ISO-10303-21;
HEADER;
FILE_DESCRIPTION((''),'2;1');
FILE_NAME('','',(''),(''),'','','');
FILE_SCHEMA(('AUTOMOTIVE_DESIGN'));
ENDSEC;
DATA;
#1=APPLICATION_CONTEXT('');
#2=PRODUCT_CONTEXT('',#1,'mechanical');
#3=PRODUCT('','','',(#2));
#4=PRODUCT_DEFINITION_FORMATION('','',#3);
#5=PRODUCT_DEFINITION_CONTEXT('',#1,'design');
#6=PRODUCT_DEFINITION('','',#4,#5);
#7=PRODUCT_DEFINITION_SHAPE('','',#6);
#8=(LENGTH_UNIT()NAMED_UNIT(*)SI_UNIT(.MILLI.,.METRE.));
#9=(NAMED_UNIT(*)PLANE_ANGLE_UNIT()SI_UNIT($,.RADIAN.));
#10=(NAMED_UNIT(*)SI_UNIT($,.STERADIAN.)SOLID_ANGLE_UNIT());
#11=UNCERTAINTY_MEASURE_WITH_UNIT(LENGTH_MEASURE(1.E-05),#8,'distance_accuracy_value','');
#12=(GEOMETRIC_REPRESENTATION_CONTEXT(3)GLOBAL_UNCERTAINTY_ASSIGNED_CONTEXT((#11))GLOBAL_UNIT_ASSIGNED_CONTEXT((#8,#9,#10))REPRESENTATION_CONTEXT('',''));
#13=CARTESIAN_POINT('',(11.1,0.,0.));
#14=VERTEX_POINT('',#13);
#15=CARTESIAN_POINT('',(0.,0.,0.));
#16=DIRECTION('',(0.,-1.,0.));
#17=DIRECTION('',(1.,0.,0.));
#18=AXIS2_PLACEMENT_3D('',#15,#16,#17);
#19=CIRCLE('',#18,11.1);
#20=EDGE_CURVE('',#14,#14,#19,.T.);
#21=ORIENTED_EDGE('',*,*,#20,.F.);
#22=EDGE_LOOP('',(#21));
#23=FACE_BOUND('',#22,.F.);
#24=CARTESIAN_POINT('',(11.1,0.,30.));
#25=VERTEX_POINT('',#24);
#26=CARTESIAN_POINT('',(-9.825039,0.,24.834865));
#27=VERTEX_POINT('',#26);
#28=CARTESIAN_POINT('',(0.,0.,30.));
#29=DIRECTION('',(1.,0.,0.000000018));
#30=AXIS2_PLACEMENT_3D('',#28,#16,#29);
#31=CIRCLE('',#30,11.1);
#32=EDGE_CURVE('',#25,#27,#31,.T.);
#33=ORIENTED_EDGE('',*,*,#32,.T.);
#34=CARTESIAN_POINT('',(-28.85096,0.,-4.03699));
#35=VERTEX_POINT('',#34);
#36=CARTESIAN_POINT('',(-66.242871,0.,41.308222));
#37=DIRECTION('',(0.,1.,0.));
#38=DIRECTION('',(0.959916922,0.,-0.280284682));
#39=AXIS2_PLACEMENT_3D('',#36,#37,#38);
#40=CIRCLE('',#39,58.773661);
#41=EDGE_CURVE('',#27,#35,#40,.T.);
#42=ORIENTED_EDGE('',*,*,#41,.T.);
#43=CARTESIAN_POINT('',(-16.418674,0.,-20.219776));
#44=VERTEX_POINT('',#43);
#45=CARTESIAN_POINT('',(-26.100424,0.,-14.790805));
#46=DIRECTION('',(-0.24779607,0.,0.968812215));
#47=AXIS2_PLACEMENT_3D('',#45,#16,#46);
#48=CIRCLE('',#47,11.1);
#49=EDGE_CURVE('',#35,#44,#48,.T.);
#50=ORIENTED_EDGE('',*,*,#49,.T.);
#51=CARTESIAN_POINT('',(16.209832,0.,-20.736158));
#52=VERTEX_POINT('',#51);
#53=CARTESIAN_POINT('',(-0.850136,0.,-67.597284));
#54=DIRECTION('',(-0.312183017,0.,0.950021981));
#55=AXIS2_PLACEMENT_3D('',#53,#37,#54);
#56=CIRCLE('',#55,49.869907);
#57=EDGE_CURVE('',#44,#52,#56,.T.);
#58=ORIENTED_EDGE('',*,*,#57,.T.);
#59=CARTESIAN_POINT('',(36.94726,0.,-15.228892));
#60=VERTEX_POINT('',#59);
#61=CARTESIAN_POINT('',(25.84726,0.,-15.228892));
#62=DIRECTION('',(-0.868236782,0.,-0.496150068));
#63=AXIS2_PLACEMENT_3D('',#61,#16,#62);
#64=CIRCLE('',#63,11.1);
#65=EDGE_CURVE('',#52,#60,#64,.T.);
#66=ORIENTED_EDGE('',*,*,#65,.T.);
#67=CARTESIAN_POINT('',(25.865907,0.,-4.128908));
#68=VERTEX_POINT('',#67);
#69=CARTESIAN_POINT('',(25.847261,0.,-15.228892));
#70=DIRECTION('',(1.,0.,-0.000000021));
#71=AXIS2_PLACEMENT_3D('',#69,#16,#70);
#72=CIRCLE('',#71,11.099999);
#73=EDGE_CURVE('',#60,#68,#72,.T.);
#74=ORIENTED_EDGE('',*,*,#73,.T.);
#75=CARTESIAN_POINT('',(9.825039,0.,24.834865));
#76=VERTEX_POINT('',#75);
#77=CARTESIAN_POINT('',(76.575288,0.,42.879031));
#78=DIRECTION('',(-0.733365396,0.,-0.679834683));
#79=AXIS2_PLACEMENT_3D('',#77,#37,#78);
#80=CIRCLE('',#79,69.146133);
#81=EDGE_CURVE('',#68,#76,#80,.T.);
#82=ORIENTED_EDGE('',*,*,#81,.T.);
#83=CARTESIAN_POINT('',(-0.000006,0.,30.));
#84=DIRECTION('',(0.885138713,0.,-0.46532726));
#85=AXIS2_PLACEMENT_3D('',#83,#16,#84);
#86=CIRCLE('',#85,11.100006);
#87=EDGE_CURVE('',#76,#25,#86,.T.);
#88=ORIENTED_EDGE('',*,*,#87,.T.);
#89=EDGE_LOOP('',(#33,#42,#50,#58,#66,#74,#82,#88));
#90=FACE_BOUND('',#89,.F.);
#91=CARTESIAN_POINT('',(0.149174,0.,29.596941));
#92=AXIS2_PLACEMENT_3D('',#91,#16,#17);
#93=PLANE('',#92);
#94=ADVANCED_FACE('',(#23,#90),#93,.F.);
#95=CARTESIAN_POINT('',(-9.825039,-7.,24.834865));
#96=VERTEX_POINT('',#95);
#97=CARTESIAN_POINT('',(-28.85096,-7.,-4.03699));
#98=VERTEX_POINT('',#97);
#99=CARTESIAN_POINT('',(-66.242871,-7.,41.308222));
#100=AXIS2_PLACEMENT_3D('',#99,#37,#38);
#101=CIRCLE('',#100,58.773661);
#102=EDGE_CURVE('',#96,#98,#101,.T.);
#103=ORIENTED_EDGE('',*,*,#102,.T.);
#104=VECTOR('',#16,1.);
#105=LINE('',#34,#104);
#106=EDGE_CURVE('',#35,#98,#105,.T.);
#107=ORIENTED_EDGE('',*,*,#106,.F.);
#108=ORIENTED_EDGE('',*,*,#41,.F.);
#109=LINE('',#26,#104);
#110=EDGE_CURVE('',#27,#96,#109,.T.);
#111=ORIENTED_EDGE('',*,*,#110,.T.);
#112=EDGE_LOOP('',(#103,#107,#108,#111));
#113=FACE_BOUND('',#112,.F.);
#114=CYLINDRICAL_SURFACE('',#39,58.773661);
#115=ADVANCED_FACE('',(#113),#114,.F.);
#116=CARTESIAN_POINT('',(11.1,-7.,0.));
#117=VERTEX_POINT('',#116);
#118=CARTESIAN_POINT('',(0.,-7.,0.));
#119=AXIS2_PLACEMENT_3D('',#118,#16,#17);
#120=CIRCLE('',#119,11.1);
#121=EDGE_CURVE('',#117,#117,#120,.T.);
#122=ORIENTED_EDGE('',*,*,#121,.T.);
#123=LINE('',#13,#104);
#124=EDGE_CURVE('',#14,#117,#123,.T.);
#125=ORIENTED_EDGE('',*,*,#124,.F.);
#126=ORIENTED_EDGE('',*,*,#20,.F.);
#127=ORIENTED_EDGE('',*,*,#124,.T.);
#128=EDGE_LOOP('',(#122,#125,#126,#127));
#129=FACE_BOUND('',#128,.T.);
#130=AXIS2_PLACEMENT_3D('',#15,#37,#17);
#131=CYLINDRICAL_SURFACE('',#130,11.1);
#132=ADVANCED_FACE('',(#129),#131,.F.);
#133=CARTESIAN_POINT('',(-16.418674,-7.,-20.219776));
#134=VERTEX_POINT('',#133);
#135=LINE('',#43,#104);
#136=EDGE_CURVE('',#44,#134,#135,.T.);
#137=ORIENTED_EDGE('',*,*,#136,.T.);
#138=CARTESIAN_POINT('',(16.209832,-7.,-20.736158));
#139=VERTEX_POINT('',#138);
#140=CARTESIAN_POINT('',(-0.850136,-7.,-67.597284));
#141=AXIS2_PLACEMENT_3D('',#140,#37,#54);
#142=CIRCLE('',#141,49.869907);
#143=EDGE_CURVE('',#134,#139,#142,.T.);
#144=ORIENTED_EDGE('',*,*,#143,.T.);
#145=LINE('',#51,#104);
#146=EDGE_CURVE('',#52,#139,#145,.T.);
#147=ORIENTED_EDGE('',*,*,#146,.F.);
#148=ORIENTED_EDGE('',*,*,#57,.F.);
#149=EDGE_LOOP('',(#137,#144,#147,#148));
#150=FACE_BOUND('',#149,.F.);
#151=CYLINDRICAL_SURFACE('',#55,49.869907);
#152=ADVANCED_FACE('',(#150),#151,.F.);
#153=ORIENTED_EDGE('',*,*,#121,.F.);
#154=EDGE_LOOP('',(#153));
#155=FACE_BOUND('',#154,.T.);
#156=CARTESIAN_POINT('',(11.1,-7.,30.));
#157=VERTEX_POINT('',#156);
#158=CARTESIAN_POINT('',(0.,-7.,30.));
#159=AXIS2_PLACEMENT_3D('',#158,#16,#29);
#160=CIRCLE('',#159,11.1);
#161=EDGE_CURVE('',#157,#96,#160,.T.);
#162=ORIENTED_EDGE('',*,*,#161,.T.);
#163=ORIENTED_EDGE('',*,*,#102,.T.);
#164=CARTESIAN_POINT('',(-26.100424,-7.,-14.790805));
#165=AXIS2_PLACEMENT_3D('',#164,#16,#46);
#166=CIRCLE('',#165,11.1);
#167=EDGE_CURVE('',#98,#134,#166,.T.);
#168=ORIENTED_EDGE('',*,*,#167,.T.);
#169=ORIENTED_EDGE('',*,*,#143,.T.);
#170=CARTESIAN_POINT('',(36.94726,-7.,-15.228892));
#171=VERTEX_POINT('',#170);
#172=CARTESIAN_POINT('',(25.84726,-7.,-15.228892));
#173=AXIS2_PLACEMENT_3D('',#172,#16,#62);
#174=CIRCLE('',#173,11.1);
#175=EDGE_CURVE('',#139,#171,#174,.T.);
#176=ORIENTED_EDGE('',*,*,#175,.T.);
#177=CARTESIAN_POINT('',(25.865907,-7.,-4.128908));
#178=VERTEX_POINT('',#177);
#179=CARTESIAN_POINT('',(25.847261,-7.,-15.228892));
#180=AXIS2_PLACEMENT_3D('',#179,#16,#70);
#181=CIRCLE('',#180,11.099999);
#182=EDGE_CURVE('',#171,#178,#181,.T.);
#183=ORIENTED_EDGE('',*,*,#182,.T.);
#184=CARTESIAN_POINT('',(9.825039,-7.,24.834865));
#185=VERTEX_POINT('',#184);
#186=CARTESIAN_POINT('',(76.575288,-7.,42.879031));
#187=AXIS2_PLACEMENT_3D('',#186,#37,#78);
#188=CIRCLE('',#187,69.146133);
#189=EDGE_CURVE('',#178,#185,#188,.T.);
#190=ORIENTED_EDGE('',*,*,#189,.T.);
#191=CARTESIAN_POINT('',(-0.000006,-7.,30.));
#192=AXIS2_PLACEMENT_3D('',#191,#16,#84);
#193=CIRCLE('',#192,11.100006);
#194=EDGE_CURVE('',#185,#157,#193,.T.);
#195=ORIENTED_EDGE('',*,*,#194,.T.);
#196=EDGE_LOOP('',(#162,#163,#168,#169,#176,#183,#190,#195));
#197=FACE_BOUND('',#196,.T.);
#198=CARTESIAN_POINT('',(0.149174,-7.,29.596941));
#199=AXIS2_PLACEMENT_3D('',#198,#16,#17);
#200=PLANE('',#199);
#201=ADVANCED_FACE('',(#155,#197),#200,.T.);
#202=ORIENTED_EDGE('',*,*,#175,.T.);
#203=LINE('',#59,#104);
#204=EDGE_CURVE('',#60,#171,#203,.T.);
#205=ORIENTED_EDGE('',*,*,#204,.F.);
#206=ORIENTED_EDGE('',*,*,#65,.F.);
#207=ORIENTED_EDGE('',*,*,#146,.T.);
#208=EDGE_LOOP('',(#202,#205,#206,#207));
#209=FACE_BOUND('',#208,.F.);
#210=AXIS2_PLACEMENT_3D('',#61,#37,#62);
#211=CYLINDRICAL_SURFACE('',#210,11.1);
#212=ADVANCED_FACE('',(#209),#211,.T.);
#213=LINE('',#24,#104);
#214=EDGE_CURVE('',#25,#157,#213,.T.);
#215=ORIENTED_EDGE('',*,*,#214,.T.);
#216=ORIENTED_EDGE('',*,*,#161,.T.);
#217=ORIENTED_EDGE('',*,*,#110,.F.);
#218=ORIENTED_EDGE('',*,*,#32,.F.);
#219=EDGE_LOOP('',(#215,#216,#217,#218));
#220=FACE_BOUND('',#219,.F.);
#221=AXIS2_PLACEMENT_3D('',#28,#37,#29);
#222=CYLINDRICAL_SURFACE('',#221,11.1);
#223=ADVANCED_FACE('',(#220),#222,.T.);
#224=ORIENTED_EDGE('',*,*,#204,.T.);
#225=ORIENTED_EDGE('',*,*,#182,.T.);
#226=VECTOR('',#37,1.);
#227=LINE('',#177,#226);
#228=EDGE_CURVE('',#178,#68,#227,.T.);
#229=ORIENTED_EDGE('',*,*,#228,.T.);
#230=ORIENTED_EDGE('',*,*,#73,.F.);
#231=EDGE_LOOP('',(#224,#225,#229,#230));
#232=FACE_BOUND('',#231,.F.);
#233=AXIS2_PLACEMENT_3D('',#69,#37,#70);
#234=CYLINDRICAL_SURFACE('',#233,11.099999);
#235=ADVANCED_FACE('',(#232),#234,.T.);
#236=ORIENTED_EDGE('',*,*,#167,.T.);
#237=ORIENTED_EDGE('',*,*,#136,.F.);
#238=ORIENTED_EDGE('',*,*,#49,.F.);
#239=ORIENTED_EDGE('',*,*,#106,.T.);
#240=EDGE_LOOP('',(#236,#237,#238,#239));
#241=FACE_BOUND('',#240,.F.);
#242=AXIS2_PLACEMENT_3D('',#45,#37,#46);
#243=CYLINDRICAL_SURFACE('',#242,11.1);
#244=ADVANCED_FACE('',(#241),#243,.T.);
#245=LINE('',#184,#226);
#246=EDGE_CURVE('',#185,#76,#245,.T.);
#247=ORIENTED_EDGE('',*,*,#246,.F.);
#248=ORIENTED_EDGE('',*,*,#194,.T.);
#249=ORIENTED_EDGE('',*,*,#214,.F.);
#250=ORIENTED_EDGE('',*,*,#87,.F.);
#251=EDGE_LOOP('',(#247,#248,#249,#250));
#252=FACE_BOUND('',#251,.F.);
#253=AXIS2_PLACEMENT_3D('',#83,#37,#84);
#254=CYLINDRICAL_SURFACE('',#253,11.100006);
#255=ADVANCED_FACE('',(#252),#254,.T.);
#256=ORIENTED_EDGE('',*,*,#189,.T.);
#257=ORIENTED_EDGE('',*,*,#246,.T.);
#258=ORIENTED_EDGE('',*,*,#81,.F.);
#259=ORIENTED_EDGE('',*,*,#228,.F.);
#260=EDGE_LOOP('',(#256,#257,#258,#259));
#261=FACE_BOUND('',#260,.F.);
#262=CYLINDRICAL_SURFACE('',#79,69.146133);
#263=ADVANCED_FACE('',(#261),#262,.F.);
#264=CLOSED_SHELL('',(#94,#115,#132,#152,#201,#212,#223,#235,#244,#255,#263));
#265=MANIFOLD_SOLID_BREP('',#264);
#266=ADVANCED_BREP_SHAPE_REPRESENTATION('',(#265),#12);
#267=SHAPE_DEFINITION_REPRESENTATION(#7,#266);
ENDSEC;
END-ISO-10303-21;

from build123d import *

# Parameters (mm, degrees)
F0_R     = 11.1
F1_DEPTH = 7
F2_DEPTH = 7
F3_DEPTH = 5


with BuildPart() as f1:
    # F0 (on Front) → F1 (new body)
    with BuildSketch(Plane.XZ):
        with BuildLine():
            ThreePointArc((9.825039, 24.834865), (10.776547, 27.339918), (11.1, 30))
            ThreePointArc((11.1, 30), (-2.660082, 40.776547), (-9.825039, 24.834865))
            ThreePointArc((-9.825039, 24.834865), (0, 18.9), (9.825039, 24.834865))
        make_face()
        with BuildLine():
            ThreePointArc((9.825039, 24.834865), (0, 18.9), (-9.825039, 24.834865))
            ThreePointArc((-9.825039, 24.834865), (-17.166777, 8.96815), (-28.85096, -4.03699))
            ThreePointArc((-28.85096, -4.03699), (-19.293109, -6.023224), (-15.000423, -14.790805))
            ThreePointArc((-15.000423, -14.790805), (-15.360837, -17.596387), (-16.418674, -20.219776))
            ThreePointArc((-16.418674, -20.219776), (-0.060989, -17.733621), (16.209832, -20.736158))
            ThreePointArc((16.209832, -20.736158), (16.251405, -9.649504), (25.865907, -4.128908))
            ThreePointArc((25.865907, -4.128908), (16.086312, 9.378711), (9.825039, 24.834865))
        make_face()
        Circle(F0_R, mode=Mode.SUBTRACT)
        with BuildLine():
            ThreePointArc((-15.000423, -14.790805), (-19.293109, -6.023224), (-28.85096, -4.03699))
            ThreePointArc((-28.85096, -4.03699), (-34.902757, -21.553122), (-16.418674, -20.219776))
            ThreePointArc((-16.418674, -20.219776), (-15.360837, -17.596387), (-15.000423, -14.790805))
        make_face()
        with BuildLine():
            ThreePointArc((36.94726, -15.228892), (33.702735, -7.386602), (25.865907, -4.128908))
            ThreePointArc((25.865907, -4.128908), (16.251405, -9.649504), (16.209832, -20.736158))
            ThreePointArc((16.209832, -20.736158), (28.696343, -25.95702), (36.94726, -15.228892))
        make_face()
    extrude(amount=F1_DEPTH)

    # F0 (on Front) → F2 (join)
    with BuildSketch(Plane.XZ):
        with BuildLine():
            ThreePointArc((9.825039, 24.834865), (10.776547, 27.339918), (11.1, 30))
            ThreePointArc((11.1, 30), (-2.660082, 40.776547), (-9.825039, 24.834865))
            ThreePointArc((-9.825039, 24.834865), (0, 18.9), (9.825039, 24.834865))
        make_face()
        with BuildLine():
            ThreePointArc((9.825039, 24.834865), (0, 18.9), (-9.825039, 24.834865))
            ThreePointArc((-9.825039, 24.834865), (-17.166777, 8.96815), (-28.85096, -4.03699))
            ThreePointArc((-28.85096, -4.03699), (-19.293109, -6.023224), (-15.000423, -14.790805))
            ThreePointArc((-15.000423, -14.790805), (-15.360837, -17.596387), (-16.418674, -20.219776))
            ThreePointArc((-16.418674, -20.219776), (-0.060989, -17.733621), (16.209832, -20.736158))
            ThreePointArc((16.209832, -20.736158), (16.251405, -9.649504), (25.865907, -4.128908))
            ThreePointArc((25.865907, -4.128908), (16.086312, 9.378711), (9.825039, 24.834865))
        make_face()
        Circle(F0_R, mode=Mode.SUBTRACT)
        with BuildLine():
            ThreePointArc((-15.000423, -14.790805), (-19.293109, -6.023224), (-28.85096, -4.03699))
            ThreePointArc((-28.85096, -4.03699), (-34.902757, -21.553122), (-16.418674, -20.219776))
            ThreePointArc((-16.418674, -20.219776), (-15.360837, -17.596387), (-15.000423, -14.790805))
        make_face()
        with BuildLine():
            ThreePointArc((36.94726, -15.228892), (33.702735, -7.386602), (25.865907, -4.128908))
            ThreePointArc((25.865907, -4.128908), (16.251405, -9.649504), (16.209832, -20.736158))
            ThreePointArc((16.209832, -20.736158), (28.696343, -25.95702), (36.94726, -15.228892))
        make_face()
    extrude(amount=F2_DEPTH)

    # F0 (on Front) → F3 (join)
    with BuildSketch(Plane.XZ):
        with BuildLine():
            ThreePointArc((9.825039, 24.834865), (10.776547, 27.339918), (11.1, 30))
            ThreePointArc((11.1, 30), (-2.660082, 40.776547), (-9.825039, 24.834865))
            ThreePointArc((-9.825039, 24.834865), (0, 18.9), (9.825039, 24.834865))
        make_face()
        with BuildLine():
            ThreePointArc((9.825039, 24.834865), (0, 18.9), (-9.825039, 24.834865))
            ThreePointArc((-9.825039, 24.834865), (-17.166777, 8.96815), (-28.85096, -4.03699))
            ThreePointArc((-28.85096, -4.03699), (-19.293109, -6.023224), (-15.000423, -14.790805))
            ThreePointArc((-15.000423, -14.790805), (-15.360837, -17.596387), (-16.418674, -20.219776))
            ThreePointArc((-16.418674, -20.219776), (-0.060989, -17.733621), (16.209832, -20.736158))
            ThreePointArc((16.209832, -20.736158), (16.251405, -9.649504), (25.865907, -4.128908))
            ThreePointArc((25.865907, -4.128908), (16.086312, 9.378711), (9.825039, 24.834865))
        make_face()
        Circle(F0_R, mode=Mode.SUBTRACT)
        with BuildLine():
            ThreePointArc((-15.000423, -14.790805), (-19.293109, -6.023224), (-28.85096, -4.03699))
            ThreePointArc((-28.85096, -4.03699), (-34.902757, -21.553122), (-16.418674, -20.219776))
            ThreePointArc((-16.418674, -20.219776), (-15.360837, -17.596387), (-15.000423, -14.790805))
        make_face()
        with BuildLine():
            ThreePointArc((36.94726, -15.228892), (33.702735, -7.386602), (25.865907, -4.128908))
            ThreePointArc((25.865907, -4.128908), (16.251405, -9.649504), (16.209832, -20.736158))
            ThreePointArc((16.209832, -20.736158), (28.696343, -25.95702), (36.94726, -15.228892))
        make_face()
    extrude(amount=F3_DEPTH)


solid = f1.part
